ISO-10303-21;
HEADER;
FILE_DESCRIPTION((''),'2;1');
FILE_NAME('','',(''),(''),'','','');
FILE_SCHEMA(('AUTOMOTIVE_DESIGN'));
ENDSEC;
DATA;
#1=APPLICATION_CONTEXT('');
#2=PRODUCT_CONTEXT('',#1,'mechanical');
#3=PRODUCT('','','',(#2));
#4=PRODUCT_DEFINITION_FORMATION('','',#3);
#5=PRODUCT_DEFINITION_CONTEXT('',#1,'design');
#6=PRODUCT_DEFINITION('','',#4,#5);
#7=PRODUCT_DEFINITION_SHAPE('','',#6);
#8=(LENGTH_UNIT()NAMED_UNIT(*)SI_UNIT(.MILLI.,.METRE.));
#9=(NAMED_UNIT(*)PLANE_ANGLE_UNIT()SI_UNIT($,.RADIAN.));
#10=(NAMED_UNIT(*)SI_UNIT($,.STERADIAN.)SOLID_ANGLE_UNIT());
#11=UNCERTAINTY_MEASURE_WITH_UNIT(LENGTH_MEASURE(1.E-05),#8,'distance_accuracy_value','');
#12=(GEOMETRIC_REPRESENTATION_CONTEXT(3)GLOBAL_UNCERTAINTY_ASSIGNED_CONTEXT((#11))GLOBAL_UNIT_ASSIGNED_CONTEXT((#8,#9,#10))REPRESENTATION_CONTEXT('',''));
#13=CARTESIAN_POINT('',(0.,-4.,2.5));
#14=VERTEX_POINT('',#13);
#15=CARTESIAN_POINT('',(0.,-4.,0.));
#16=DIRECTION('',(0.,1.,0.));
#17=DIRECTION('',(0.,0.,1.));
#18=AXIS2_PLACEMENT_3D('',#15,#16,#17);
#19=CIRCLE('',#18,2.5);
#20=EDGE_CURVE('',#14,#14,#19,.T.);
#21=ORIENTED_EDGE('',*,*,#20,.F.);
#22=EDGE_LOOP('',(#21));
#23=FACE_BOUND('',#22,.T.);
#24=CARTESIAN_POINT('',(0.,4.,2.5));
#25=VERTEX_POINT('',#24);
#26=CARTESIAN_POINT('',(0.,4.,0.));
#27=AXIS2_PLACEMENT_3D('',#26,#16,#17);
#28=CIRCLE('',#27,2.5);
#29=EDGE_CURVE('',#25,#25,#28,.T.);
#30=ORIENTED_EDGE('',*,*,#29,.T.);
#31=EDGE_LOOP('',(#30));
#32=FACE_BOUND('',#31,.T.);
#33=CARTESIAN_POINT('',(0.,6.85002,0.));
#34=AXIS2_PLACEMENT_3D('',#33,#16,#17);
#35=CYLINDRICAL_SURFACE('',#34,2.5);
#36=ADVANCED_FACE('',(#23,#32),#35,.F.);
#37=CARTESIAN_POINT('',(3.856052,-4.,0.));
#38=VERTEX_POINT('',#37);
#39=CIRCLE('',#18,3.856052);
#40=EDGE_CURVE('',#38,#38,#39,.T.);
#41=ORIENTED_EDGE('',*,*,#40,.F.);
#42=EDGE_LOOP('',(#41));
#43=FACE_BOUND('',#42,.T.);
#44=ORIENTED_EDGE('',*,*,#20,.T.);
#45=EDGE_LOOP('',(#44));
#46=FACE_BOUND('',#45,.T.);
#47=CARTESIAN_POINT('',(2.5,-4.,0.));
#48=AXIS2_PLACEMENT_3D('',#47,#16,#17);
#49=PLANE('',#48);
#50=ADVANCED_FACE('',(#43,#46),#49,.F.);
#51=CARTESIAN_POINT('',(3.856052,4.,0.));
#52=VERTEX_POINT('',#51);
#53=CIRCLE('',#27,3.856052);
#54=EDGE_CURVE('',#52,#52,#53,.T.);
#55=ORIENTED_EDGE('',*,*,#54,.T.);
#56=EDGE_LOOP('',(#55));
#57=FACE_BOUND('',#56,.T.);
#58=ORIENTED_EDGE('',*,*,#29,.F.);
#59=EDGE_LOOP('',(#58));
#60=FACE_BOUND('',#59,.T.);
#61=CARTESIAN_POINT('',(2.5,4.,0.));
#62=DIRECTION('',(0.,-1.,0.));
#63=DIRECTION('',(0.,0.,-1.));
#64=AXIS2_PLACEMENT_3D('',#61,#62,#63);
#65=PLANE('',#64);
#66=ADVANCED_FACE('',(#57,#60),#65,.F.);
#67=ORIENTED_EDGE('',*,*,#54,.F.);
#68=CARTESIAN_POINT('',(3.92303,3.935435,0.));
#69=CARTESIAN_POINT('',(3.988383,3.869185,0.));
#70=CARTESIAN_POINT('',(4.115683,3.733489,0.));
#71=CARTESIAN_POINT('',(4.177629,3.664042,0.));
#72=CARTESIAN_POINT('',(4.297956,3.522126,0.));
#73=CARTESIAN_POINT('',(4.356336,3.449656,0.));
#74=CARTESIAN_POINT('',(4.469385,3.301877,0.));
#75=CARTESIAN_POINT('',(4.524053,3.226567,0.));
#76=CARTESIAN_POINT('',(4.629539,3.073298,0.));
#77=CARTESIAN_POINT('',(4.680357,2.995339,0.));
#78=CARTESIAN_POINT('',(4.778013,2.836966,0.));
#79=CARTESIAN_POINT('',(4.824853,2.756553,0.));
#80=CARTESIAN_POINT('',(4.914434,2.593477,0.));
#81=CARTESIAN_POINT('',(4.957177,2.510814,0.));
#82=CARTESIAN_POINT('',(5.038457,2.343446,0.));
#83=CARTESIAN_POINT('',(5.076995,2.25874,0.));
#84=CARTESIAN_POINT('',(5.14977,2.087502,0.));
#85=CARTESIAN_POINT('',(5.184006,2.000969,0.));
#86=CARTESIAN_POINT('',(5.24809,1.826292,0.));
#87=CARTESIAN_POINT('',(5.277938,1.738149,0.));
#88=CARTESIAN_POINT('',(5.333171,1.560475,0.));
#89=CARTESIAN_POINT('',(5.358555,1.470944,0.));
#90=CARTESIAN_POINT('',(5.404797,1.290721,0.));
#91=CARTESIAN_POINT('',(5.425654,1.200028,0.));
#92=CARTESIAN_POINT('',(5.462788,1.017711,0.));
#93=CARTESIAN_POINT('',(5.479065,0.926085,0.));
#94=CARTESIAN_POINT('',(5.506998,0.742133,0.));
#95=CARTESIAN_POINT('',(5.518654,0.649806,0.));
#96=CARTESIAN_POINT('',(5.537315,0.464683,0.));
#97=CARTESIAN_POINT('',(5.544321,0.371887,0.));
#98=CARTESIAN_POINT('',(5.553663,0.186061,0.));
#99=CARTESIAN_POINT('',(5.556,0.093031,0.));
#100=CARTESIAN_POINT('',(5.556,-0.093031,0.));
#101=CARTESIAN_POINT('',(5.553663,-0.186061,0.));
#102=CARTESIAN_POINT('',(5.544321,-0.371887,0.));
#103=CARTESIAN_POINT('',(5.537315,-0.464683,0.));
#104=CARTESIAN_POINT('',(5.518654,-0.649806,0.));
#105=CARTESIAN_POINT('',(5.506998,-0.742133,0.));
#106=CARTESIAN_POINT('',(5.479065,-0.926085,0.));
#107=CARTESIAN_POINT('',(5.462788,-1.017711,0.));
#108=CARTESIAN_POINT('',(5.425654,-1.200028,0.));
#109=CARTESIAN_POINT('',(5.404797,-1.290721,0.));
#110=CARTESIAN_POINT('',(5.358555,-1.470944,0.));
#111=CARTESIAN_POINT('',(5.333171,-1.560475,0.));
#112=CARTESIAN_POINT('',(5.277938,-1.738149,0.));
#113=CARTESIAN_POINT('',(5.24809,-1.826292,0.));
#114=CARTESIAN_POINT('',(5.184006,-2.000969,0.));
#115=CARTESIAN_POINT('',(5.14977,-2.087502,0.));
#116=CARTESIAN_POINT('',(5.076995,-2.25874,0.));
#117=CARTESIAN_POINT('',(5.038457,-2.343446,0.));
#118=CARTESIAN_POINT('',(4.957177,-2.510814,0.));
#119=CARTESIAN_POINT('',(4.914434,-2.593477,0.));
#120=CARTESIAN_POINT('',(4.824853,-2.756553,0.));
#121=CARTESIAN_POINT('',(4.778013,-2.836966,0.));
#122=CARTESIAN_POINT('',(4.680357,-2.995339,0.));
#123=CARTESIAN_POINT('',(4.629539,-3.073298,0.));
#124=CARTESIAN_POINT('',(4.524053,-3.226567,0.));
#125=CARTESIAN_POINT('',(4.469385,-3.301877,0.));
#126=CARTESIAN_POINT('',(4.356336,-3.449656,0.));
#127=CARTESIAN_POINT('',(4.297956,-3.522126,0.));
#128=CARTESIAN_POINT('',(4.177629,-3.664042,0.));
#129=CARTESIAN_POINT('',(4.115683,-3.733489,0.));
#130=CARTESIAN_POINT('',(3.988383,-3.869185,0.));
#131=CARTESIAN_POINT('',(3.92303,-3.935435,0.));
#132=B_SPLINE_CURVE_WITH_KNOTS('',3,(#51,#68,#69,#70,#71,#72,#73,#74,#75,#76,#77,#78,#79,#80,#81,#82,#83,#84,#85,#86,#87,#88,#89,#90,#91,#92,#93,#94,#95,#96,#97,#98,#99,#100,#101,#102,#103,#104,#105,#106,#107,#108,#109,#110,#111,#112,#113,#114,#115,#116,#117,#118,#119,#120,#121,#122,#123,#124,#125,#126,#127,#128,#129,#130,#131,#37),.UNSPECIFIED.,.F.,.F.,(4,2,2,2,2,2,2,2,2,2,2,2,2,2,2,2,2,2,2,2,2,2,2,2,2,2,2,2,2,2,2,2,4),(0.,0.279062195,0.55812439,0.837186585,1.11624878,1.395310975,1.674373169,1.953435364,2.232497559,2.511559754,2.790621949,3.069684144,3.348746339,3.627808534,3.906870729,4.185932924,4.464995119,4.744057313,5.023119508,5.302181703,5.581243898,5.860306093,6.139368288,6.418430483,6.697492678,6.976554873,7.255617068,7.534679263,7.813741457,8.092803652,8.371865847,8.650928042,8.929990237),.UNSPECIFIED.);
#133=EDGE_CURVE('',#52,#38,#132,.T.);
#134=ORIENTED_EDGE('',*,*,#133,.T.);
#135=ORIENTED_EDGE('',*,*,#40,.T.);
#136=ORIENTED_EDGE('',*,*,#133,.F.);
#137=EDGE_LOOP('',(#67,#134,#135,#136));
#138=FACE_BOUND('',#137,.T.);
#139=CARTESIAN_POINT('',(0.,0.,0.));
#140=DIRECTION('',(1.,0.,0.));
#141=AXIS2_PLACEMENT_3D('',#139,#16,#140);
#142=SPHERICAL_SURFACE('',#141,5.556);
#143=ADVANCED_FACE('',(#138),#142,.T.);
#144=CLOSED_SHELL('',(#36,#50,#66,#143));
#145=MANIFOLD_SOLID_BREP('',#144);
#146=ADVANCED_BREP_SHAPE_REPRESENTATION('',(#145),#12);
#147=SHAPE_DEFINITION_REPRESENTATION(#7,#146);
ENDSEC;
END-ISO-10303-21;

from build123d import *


with BuildPart() as part:
    # Sketch1 → Revolve1 (revolve)
    with BuildSketch(Plane.XY, mode=Mode.PRIVATE) as revolve1_sk:
        with BuildLine():
            Line((2.5, 4), (2.5, -4))
            Line((2.5, -4), (3.856051867, -4))
            ThreePointArc((3.856051867, -4), (5.556, 0), (3.856051867, 4))
            Line((3.856051867, 4), (2.5, 4))
        make_face()
    revolve(revolve1_sk.sketch.rotate(Axis((0, 6.850019796, 0), (0, -1, 0)), 90), axis=Axis((0, 6.850019796, 0), (0, -1, 0)))


solid = part.part
